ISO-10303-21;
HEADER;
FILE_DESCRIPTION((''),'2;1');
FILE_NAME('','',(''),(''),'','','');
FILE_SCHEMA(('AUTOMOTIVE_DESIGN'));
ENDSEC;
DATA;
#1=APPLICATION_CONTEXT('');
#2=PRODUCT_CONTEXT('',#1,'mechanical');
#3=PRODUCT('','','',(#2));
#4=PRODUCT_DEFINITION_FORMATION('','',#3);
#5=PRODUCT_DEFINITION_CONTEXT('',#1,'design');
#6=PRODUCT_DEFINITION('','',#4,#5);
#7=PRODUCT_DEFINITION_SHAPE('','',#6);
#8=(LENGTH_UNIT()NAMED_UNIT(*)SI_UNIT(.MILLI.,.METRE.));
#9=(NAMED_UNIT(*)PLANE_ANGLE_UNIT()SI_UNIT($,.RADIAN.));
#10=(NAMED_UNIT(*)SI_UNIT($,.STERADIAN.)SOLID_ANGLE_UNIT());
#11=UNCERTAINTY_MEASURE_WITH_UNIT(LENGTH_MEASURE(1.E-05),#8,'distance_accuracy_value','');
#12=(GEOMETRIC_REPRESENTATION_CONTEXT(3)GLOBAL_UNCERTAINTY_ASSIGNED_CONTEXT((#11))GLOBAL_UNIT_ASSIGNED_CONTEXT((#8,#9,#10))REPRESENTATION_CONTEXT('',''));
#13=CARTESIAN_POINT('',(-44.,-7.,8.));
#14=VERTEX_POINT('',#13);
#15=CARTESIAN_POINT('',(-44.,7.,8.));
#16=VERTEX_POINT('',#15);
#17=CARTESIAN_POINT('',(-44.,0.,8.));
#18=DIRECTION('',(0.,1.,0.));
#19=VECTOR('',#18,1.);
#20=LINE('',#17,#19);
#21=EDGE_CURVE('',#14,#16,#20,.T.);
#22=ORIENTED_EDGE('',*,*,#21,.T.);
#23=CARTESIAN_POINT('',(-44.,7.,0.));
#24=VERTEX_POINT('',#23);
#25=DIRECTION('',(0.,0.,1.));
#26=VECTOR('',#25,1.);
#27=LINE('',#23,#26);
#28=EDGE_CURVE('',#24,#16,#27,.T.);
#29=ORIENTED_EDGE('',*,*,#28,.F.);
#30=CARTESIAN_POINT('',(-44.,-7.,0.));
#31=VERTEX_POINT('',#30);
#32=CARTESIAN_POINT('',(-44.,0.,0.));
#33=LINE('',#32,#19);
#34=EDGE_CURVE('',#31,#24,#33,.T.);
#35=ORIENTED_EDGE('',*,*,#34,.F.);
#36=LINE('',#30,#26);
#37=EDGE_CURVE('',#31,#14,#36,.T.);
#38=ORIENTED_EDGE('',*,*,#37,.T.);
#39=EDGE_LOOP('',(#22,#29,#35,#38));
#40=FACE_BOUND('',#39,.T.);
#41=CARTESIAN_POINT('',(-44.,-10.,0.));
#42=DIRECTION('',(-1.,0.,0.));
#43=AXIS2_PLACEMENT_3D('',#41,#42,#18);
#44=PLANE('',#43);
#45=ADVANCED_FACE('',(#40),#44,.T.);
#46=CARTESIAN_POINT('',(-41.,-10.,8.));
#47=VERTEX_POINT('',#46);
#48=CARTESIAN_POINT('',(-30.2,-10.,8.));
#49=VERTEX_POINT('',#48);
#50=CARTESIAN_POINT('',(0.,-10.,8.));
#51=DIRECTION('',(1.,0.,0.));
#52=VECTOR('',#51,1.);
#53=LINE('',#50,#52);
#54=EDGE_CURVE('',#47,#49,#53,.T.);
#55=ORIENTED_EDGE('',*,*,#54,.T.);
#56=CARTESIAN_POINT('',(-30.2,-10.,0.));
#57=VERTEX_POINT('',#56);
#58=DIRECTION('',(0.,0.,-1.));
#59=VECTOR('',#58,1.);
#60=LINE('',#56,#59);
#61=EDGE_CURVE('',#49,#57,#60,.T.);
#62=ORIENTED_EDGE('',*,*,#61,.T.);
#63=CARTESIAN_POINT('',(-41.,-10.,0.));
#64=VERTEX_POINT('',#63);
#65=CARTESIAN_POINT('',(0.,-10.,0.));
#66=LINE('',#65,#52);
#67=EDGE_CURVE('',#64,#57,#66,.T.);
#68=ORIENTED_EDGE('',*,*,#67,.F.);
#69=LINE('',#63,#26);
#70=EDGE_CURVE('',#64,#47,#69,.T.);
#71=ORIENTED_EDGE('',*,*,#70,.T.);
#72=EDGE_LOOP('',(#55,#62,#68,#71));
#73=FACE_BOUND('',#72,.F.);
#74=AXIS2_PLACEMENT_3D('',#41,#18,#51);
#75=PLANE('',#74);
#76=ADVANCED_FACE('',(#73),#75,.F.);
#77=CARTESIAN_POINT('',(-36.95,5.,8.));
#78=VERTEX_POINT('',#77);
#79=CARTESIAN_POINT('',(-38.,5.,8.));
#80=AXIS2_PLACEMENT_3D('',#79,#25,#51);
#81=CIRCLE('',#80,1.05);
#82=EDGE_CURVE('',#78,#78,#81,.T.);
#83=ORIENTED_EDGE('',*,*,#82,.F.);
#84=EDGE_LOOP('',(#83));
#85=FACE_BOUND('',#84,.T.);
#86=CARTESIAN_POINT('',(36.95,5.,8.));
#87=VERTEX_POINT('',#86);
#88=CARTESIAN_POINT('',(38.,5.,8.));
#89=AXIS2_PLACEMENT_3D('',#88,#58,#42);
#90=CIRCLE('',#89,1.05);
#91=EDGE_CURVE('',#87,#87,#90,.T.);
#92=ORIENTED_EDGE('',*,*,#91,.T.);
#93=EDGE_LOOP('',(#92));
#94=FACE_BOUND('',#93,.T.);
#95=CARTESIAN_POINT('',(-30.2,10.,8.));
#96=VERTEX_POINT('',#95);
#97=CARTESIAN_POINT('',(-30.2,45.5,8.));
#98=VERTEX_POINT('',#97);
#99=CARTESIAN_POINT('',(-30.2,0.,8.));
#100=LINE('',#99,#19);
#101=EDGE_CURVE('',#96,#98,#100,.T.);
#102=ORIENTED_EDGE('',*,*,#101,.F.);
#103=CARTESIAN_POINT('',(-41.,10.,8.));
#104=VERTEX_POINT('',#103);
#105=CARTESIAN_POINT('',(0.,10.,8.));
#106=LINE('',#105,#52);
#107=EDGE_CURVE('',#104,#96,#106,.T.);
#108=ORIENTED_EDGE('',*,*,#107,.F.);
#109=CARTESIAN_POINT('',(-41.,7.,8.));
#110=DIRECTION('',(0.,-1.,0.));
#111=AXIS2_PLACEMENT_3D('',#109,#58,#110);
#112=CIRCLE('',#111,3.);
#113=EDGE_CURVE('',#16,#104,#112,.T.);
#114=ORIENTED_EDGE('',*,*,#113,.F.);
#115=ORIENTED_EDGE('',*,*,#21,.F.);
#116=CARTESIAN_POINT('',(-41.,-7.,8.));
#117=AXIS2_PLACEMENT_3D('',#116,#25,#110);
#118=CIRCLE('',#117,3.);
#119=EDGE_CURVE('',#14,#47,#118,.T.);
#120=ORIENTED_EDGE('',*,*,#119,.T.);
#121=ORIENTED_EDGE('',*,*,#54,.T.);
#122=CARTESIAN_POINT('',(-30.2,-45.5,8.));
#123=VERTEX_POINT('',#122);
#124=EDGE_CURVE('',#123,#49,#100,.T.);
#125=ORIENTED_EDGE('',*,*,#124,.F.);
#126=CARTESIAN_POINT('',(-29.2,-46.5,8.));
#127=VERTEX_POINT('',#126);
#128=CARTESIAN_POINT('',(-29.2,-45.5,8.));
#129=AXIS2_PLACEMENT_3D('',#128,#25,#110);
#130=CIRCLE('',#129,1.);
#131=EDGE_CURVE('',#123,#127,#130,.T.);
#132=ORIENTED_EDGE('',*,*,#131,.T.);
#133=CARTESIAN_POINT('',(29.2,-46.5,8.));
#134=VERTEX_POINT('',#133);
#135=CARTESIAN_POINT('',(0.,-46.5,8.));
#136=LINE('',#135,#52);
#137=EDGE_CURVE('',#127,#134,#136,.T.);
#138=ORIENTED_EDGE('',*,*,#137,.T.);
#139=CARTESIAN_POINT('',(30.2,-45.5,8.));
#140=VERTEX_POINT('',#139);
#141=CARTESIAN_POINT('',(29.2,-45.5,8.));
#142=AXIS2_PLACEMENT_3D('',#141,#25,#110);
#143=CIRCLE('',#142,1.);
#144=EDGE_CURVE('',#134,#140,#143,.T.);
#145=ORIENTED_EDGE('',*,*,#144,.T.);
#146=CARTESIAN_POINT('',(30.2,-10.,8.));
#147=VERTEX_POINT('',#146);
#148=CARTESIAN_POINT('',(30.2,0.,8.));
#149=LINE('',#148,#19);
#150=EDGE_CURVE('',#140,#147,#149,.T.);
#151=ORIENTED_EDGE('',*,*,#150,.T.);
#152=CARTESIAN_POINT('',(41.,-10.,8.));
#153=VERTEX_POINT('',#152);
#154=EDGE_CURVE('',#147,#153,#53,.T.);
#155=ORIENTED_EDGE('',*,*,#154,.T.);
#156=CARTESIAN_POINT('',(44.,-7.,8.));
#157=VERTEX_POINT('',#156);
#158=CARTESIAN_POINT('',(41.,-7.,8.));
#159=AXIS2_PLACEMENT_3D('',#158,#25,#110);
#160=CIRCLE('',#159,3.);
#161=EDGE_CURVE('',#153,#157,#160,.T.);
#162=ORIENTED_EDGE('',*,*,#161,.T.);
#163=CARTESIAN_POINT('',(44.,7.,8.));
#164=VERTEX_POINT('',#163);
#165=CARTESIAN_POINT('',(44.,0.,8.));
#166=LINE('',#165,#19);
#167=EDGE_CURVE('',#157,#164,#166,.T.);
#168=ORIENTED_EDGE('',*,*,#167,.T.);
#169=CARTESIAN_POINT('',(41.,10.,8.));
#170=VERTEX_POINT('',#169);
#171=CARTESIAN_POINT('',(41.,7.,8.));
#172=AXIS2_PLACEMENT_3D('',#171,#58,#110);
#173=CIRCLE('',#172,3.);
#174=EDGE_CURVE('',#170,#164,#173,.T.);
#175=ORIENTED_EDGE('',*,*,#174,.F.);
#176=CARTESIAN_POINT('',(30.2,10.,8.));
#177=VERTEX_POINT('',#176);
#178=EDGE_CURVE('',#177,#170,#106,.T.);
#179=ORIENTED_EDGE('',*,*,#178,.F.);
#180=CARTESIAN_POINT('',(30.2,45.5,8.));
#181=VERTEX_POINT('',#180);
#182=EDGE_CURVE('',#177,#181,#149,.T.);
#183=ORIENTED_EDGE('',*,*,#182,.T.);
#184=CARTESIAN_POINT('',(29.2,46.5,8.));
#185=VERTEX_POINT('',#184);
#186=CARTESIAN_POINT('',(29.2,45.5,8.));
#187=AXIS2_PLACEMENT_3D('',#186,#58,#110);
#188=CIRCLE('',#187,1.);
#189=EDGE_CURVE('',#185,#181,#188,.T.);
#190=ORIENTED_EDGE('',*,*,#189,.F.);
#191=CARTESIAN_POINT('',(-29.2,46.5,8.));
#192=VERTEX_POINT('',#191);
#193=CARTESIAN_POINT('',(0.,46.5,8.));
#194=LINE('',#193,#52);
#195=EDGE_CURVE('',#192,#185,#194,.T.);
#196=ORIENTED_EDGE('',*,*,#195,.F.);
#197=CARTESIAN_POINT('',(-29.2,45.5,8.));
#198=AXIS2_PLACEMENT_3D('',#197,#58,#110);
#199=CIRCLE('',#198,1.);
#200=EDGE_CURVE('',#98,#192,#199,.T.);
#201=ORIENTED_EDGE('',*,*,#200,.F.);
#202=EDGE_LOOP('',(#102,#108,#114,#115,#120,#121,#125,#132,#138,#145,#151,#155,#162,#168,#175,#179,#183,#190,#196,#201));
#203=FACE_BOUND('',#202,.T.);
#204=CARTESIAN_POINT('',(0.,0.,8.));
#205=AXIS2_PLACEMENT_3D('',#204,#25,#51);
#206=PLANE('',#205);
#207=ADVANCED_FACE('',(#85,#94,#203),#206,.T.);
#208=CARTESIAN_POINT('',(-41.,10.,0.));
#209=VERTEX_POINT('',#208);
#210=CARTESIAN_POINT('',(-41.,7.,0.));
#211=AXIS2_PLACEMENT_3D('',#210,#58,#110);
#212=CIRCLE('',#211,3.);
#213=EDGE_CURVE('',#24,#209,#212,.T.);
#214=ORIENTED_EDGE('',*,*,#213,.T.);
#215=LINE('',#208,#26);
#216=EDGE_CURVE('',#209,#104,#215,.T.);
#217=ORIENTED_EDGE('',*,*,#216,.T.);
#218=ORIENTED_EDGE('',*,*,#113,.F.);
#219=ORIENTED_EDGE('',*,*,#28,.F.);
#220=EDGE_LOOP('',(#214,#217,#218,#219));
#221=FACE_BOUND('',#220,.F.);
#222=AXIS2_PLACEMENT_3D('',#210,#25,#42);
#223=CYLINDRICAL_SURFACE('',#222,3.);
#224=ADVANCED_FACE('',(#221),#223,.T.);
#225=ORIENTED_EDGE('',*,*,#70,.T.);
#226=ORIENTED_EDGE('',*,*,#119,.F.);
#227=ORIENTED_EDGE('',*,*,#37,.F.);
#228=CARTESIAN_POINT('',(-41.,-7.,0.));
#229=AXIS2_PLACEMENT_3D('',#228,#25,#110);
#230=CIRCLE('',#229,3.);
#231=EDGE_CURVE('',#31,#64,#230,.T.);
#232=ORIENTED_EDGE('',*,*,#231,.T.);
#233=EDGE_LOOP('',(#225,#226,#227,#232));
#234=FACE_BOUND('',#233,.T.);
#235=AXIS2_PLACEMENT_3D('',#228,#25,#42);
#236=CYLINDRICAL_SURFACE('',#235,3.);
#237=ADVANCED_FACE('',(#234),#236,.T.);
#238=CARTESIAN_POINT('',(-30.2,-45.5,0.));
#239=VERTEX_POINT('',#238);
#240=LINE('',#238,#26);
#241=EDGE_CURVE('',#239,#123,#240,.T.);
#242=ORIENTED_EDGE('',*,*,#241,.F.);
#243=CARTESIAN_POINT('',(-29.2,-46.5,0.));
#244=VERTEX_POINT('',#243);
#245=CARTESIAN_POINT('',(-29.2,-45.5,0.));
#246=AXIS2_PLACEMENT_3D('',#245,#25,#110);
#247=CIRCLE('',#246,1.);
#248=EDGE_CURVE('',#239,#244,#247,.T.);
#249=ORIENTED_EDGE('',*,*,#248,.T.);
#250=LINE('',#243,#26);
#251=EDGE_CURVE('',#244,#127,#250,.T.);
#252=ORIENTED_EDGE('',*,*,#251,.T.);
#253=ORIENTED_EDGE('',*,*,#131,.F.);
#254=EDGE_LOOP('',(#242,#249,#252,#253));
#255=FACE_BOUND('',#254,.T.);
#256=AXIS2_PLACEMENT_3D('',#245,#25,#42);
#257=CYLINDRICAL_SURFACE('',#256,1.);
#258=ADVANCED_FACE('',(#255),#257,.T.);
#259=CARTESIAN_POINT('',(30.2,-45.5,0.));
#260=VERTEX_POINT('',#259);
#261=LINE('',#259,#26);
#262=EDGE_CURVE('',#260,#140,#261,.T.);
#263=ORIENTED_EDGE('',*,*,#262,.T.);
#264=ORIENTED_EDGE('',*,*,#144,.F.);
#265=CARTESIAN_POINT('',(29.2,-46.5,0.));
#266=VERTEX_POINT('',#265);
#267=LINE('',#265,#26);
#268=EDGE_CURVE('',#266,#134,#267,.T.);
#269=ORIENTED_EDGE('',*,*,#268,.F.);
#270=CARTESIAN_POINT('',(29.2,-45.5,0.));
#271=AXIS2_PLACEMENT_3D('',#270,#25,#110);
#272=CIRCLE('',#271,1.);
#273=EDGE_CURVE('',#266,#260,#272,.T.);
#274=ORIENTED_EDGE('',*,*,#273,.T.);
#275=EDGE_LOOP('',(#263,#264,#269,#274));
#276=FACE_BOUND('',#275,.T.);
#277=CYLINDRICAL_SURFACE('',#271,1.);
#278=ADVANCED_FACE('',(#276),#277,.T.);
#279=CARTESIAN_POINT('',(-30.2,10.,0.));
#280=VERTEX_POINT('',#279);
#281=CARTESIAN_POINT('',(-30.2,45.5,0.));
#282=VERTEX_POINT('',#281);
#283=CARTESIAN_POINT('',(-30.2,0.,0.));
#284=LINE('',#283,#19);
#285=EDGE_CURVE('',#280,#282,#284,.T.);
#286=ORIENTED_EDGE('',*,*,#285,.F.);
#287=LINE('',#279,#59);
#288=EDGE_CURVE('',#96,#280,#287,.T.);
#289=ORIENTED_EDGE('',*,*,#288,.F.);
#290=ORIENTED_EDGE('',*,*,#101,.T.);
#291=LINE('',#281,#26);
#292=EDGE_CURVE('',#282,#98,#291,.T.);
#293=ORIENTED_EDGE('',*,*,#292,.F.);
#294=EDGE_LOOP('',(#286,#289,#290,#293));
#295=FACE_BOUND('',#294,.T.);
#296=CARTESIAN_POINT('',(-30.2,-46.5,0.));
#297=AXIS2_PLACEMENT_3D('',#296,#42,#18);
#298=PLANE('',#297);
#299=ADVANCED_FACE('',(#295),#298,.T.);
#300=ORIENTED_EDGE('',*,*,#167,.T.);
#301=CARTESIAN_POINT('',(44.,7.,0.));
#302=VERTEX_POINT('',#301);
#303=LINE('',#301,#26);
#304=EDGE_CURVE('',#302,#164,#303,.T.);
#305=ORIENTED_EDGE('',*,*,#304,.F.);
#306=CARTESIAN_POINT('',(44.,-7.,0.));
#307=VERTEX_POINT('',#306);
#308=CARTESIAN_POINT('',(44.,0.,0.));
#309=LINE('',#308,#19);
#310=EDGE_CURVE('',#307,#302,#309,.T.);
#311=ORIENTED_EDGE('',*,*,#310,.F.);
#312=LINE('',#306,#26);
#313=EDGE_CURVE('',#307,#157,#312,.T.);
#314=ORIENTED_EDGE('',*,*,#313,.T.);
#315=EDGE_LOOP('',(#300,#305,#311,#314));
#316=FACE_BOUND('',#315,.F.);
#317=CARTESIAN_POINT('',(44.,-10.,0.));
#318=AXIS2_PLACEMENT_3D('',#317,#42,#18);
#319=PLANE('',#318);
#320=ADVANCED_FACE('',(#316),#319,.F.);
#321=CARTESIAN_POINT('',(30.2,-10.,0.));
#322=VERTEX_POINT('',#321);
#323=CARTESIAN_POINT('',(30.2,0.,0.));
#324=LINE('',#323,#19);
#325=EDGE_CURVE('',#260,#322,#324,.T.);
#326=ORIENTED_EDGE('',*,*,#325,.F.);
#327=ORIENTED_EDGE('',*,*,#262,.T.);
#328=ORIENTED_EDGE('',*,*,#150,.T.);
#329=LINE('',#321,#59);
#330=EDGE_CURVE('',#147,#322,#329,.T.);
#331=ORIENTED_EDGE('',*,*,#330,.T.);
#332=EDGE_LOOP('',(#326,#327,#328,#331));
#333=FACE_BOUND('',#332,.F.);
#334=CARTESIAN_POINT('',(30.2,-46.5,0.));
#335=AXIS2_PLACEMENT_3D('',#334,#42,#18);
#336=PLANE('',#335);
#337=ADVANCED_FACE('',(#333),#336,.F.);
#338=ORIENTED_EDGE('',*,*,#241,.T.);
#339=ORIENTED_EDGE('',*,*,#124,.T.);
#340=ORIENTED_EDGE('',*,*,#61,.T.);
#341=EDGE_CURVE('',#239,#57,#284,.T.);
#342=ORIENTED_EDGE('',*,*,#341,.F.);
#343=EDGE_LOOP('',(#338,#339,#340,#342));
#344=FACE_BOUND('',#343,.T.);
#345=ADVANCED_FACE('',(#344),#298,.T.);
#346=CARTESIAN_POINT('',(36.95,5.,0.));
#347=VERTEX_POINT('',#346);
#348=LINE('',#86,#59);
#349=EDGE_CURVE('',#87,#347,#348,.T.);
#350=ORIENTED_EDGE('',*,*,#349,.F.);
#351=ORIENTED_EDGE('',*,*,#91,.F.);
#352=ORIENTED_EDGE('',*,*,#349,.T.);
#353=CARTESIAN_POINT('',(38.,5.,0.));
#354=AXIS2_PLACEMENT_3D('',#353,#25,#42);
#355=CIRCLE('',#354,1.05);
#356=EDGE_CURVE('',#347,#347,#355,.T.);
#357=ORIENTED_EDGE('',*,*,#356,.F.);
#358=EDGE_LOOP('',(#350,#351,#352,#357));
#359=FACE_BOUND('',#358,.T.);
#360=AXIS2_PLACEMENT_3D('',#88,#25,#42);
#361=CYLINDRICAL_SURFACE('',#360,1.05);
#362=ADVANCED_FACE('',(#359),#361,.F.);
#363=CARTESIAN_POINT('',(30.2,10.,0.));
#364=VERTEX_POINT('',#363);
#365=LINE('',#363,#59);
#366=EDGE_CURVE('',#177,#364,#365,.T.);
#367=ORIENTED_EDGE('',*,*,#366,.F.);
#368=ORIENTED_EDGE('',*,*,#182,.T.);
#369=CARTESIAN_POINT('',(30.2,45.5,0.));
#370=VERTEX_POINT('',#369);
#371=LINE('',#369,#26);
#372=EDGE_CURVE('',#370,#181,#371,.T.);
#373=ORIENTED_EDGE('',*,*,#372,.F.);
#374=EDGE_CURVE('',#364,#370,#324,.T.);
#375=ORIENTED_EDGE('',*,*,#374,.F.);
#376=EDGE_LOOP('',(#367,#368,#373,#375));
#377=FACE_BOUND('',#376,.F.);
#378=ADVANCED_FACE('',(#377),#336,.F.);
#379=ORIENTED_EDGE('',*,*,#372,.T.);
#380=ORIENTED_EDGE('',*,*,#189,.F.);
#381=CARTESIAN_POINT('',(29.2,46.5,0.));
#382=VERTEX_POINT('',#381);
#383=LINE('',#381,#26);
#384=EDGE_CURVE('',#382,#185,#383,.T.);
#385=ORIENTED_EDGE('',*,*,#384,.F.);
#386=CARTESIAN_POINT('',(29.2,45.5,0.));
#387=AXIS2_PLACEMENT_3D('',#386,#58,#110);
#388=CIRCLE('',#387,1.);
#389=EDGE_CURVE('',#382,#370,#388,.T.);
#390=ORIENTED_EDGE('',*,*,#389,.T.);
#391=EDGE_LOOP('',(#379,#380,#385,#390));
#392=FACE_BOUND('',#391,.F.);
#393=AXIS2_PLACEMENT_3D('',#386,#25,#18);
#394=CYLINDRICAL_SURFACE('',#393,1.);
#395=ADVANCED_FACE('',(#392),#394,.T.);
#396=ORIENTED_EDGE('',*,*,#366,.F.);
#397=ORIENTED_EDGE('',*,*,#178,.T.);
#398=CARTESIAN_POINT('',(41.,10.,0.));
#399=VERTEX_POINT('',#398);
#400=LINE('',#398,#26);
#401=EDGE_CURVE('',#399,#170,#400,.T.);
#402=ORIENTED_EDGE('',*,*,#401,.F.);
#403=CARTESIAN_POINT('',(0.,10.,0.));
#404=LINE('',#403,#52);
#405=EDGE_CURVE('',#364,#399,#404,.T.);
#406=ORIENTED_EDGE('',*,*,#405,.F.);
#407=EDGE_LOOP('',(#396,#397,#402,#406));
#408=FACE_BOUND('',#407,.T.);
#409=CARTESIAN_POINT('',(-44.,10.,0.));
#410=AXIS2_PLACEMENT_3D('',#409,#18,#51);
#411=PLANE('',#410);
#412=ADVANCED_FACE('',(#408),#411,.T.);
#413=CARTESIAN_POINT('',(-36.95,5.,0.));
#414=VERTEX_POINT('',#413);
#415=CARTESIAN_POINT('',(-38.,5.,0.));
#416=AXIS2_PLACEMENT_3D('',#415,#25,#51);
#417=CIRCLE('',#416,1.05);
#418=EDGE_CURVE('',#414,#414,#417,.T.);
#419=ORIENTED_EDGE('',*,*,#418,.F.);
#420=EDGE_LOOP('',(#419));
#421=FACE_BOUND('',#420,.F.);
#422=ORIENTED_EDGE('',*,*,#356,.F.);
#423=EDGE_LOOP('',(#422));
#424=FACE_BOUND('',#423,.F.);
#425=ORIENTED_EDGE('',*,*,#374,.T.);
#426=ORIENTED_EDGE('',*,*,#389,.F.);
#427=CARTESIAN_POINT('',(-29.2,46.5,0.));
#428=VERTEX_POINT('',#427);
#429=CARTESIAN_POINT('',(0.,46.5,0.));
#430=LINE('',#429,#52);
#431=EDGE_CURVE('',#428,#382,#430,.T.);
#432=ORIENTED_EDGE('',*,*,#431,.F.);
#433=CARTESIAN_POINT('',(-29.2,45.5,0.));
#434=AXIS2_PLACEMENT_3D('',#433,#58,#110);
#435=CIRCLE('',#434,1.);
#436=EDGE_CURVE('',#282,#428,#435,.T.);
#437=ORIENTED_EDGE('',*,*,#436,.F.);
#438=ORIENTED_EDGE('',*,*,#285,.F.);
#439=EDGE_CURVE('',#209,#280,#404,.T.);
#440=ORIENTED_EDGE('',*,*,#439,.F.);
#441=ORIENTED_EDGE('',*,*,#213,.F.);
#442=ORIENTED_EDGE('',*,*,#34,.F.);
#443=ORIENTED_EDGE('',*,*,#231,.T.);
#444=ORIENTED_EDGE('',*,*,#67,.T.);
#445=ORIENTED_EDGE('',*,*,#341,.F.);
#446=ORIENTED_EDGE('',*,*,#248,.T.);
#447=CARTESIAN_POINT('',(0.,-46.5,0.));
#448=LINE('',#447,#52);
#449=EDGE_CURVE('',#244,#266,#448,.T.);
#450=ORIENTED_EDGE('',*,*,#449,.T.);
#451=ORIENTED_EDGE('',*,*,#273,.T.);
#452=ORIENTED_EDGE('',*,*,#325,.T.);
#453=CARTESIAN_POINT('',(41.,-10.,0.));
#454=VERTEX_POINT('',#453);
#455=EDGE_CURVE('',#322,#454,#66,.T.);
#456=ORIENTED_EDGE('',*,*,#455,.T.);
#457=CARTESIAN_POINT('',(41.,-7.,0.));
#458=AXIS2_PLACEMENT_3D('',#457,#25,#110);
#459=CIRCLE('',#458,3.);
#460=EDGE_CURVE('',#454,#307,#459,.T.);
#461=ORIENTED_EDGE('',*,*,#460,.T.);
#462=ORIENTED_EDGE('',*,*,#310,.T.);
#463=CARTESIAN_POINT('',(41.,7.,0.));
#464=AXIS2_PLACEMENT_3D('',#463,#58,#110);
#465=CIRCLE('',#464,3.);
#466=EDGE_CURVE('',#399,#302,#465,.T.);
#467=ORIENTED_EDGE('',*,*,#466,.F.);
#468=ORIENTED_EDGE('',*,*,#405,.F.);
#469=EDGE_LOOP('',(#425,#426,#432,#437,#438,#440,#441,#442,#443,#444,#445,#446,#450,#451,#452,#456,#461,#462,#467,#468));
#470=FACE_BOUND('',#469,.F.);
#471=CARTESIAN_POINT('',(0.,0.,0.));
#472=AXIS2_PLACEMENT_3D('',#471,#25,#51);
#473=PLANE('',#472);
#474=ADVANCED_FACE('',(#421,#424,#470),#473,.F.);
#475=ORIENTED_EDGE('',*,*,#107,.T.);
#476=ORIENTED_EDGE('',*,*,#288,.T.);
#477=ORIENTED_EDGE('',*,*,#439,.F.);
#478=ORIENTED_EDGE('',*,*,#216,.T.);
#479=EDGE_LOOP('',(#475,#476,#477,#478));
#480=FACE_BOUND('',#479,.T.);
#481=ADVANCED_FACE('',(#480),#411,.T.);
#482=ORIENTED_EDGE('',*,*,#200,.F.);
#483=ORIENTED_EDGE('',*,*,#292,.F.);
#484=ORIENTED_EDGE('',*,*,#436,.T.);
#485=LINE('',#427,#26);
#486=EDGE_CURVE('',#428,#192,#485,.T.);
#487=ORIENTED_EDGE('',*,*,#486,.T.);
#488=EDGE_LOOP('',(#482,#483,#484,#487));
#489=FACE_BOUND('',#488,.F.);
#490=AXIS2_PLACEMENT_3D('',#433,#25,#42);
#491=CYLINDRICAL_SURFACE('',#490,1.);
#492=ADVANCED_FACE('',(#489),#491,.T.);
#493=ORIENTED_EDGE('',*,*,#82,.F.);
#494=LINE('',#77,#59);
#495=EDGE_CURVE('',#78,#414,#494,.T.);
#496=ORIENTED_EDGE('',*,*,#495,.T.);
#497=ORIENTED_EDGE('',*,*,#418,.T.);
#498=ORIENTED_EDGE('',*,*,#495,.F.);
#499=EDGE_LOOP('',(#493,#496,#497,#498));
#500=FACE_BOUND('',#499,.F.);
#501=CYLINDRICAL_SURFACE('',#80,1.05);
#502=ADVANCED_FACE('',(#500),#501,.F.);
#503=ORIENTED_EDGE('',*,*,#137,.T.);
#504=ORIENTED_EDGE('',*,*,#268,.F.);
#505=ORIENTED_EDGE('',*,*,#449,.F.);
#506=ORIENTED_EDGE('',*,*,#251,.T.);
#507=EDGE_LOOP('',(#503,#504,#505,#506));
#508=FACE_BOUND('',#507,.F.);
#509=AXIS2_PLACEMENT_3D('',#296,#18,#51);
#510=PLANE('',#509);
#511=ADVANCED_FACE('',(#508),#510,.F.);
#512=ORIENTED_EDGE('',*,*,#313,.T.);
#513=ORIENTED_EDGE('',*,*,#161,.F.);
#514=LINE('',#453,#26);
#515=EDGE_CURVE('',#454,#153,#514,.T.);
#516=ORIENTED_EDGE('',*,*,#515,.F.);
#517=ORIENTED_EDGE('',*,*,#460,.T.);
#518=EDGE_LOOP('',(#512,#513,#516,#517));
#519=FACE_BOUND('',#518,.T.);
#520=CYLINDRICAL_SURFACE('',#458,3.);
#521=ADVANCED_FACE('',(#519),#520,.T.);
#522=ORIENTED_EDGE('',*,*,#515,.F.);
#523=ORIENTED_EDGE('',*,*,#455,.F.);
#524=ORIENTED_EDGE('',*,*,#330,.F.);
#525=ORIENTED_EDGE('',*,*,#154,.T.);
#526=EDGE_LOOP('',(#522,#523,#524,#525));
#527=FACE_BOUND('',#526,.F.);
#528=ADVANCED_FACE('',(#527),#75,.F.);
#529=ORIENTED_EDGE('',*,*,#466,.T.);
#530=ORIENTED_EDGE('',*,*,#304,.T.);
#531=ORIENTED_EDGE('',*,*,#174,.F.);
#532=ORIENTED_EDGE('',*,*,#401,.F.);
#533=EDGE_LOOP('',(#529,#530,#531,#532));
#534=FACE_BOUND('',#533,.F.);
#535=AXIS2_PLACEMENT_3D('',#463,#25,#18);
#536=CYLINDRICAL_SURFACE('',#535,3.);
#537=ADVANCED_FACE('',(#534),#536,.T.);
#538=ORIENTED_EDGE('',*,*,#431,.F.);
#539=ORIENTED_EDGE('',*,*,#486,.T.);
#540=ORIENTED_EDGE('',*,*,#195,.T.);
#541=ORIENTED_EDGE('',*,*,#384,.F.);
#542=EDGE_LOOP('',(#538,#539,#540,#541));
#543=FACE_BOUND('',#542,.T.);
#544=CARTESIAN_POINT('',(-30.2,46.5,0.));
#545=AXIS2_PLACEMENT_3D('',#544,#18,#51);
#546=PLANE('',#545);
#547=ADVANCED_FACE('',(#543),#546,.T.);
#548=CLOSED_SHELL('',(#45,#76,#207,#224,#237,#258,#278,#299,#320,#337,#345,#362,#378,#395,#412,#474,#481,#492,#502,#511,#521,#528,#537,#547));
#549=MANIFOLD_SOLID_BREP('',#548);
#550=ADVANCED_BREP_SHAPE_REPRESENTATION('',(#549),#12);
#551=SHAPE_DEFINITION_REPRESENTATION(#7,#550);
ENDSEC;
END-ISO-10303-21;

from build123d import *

# Parameters (mm, degrees)
SKETCH_W     = 60.4
SKETCH_H     = 93
PAD_DEPTH    = 8
SKETCH001_W  = 88
SKETCH001_H  = 20
PAD001_DEPTH = 8
SKETCH002_R  = 1.05
POCKET_DEPTH = 264.570679
FILLET_R     = 3
FILLET001_R  = 1


with BuildPart() as part:
    # Sketch → Pad (new body)
    with BuildSketch(Plane.XY):
        Rectangle(SKETCH_W, SKETCH_H)
    extrude(amount=PAD_DEPTH)

    # Sketch001 → Pad001 (join)
    with BuildSketch(Plane.XY):
        Rectangle(SKETCH001_W, SKETCH001_H)
    extrude(amount=PAD001_DEPTH)

    # Sketch002 (on Face10 of Pad001) → Pocket (cut, through all)
    with BuildSketch(Plane.XY.offset(8)):
        with Locations((-38, 5)):
            Circle(SKETCH002_R)
    pocket = extrude(amount=-POCKET_DEPTH, mode=Mode.SUBTRACT)

    # Fillet
    fillet_edges = [part.edges().sort_by_distance(p)[0] for p in [
        (-44, -10, 4),
        (44, -10, 4),
        (44, 10, 4),
        (-44, 10, 4),
    ]]
    fillet(fillet_edges, radius=FILLET_R)

    # Mirrored: Pocket across Sketch002 V_Axis
    add(pocket.mirror(Plane(origin=(0, 0, 8), x_dir=(0, 0, 1), z_dir=(1, 0, 0))), mode=Mode.SUBTRACT)

    # Fillet001
    fillet001_edges = [part.edges().sort_by_distance(p)[0] for p in [
        (-30.2, -46.5, 4),
        (30.2, -46.5, 4),
        (30.2, 46.5, 4),
        (-30.2, 46.5, 4),
    ]]
    fillet(fillet001_edges, radius=FILLET001_R)


solid = part.part
